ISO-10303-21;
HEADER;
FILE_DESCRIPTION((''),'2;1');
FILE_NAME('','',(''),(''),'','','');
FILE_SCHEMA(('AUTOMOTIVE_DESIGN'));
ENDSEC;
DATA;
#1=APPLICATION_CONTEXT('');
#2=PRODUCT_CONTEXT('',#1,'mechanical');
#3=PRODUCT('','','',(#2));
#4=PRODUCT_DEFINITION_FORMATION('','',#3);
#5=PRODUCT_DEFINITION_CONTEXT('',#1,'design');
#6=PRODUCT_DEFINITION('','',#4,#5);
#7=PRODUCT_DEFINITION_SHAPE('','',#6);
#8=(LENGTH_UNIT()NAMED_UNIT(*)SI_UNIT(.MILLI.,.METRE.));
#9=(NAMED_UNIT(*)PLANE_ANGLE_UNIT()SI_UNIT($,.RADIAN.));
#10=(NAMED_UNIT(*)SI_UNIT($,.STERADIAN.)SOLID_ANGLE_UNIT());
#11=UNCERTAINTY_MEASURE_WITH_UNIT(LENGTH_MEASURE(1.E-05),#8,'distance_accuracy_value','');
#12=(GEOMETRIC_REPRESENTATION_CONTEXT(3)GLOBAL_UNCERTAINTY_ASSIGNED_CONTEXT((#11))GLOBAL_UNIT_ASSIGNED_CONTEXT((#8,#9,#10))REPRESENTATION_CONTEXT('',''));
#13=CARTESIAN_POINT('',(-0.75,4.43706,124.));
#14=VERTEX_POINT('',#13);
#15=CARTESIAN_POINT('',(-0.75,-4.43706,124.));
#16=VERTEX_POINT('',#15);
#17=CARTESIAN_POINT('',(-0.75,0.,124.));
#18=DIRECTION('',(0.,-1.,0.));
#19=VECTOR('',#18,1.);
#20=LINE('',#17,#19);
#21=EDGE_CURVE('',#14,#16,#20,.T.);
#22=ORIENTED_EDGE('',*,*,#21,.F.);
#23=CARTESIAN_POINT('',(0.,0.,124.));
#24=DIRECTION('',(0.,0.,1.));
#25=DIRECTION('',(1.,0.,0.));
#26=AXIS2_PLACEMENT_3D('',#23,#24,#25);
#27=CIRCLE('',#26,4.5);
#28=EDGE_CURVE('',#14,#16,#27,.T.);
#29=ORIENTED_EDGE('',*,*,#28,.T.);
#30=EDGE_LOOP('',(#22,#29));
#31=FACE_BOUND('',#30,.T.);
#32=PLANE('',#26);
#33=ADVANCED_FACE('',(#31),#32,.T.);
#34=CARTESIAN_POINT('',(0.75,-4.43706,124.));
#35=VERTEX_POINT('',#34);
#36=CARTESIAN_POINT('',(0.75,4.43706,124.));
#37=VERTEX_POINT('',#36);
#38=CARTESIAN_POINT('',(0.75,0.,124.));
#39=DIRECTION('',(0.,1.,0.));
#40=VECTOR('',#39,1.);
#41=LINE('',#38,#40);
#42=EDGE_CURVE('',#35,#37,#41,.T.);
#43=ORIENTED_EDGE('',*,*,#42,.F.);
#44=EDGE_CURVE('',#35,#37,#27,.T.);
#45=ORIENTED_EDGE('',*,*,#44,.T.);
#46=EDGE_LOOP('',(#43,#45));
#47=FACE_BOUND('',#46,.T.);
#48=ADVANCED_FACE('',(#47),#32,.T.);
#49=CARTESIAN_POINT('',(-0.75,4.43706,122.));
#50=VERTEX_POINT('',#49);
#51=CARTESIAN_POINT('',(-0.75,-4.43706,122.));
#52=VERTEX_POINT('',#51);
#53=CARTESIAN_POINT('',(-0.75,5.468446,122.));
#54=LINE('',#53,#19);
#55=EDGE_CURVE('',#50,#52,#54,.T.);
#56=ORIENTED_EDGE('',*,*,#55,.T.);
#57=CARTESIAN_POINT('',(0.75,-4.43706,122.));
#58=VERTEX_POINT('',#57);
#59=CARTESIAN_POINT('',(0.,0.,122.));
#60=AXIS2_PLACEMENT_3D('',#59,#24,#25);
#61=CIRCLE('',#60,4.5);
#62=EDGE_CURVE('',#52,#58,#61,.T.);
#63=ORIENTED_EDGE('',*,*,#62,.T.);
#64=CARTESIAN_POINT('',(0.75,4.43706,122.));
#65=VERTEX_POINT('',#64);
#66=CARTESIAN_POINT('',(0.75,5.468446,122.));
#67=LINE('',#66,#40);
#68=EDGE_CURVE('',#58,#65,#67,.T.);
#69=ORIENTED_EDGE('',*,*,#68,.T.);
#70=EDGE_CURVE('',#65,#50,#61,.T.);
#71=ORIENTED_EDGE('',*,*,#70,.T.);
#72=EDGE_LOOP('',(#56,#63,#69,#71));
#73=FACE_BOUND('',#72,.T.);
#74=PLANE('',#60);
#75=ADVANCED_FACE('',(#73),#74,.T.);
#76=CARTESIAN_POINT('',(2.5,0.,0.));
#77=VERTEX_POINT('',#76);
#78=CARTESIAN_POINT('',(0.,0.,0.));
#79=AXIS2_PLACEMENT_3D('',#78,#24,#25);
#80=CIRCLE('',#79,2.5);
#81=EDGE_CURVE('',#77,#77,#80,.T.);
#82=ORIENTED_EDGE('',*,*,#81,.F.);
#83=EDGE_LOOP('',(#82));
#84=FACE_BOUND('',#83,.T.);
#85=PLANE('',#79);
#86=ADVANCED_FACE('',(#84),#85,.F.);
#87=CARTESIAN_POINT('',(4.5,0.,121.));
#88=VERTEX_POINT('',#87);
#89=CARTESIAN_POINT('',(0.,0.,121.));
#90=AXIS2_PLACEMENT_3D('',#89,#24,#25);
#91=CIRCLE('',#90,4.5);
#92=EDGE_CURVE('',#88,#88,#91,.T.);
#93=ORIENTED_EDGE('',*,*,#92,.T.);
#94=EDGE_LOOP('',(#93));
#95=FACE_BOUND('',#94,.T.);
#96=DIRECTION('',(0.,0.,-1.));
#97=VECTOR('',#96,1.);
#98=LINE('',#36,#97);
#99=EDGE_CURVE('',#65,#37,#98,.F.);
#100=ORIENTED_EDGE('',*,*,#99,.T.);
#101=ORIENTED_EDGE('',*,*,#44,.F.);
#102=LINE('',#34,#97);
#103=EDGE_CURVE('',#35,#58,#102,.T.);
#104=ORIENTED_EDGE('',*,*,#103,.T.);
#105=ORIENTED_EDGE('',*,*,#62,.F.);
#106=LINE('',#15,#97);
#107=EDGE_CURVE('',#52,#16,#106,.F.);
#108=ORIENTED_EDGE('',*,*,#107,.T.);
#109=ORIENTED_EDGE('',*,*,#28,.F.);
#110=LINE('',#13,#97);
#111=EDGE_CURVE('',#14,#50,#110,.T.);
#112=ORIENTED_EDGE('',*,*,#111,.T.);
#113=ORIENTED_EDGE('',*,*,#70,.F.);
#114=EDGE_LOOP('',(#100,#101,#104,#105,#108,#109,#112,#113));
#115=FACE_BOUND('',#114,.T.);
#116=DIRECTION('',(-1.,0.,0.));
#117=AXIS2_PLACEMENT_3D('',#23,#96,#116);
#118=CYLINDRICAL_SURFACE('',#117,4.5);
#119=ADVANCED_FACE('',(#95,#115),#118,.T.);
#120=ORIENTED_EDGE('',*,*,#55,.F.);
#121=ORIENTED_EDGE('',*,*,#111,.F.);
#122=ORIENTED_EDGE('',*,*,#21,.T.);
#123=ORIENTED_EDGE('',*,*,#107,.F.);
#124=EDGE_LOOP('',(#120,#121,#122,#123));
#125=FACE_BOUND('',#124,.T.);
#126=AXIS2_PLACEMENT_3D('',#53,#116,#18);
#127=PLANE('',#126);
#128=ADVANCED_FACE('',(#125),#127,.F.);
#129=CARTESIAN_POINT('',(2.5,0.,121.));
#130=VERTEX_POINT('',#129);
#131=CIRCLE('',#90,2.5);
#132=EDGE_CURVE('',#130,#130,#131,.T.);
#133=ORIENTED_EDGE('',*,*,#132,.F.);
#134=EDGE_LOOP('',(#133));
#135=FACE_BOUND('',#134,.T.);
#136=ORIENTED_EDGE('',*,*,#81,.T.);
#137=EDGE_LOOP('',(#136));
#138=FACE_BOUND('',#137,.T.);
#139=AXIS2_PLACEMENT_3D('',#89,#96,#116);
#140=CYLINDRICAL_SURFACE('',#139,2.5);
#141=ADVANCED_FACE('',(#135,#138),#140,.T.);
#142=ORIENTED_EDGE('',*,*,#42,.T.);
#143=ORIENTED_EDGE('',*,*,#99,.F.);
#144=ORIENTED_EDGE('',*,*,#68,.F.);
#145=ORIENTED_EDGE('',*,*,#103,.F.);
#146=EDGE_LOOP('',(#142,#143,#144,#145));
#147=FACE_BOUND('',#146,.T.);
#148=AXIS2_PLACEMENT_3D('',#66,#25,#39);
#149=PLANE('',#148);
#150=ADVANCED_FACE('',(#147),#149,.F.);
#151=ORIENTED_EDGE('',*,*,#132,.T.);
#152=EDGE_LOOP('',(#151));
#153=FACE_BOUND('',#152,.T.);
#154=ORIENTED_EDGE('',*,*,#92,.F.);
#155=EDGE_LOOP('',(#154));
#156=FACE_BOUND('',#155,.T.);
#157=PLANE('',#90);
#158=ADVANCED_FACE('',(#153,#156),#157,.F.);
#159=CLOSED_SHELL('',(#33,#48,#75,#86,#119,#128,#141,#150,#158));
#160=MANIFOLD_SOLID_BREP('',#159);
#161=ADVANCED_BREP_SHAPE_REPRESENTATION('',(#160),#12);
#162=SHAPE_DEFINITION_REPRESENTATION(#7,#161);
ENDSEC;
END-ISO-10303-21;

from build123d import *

# Parameters (mm, degrees)
SKETCH_1_R          = 2.5
EXTRUDE_1_DEPTH     = 121
SKETCH_2_R          = 4.5
EXTRUDE_2_DEPTH     = 3
SKETCH_4_W          = 1.5
SKETCH_4_H          = 10.936891942
CUT_EXTRUDE_1_DEPTH = 2


with BuildPart() as part:
    # 草图1 → 凸台-拉伸1 (new body)
    with BuildSketch(Plane.XY):
        Circle(SKETCH_1_R)
    extrude(amount=EXTRUDE_1_DEPTH)

    # 草图2 → 凸台-拉伸2 (add)
    with BuildSketch(Plane.XY.offset(121)):
        Circle(SKETCH_2_R)
    extrude(amount=EXTRUDE_2_DEPTH)

    # 草图4 → 切除-拉伸1 (cut)
    with BuildSketch(Plane.XY.offset(124)):
        Rectangle(SKETCH_4_W, SKETCH_4_H)
    extrude(amount=-CUT_EXTRUDE_1_DEPTH, mode=Mode.SUBTRACT)


solid = part.part
